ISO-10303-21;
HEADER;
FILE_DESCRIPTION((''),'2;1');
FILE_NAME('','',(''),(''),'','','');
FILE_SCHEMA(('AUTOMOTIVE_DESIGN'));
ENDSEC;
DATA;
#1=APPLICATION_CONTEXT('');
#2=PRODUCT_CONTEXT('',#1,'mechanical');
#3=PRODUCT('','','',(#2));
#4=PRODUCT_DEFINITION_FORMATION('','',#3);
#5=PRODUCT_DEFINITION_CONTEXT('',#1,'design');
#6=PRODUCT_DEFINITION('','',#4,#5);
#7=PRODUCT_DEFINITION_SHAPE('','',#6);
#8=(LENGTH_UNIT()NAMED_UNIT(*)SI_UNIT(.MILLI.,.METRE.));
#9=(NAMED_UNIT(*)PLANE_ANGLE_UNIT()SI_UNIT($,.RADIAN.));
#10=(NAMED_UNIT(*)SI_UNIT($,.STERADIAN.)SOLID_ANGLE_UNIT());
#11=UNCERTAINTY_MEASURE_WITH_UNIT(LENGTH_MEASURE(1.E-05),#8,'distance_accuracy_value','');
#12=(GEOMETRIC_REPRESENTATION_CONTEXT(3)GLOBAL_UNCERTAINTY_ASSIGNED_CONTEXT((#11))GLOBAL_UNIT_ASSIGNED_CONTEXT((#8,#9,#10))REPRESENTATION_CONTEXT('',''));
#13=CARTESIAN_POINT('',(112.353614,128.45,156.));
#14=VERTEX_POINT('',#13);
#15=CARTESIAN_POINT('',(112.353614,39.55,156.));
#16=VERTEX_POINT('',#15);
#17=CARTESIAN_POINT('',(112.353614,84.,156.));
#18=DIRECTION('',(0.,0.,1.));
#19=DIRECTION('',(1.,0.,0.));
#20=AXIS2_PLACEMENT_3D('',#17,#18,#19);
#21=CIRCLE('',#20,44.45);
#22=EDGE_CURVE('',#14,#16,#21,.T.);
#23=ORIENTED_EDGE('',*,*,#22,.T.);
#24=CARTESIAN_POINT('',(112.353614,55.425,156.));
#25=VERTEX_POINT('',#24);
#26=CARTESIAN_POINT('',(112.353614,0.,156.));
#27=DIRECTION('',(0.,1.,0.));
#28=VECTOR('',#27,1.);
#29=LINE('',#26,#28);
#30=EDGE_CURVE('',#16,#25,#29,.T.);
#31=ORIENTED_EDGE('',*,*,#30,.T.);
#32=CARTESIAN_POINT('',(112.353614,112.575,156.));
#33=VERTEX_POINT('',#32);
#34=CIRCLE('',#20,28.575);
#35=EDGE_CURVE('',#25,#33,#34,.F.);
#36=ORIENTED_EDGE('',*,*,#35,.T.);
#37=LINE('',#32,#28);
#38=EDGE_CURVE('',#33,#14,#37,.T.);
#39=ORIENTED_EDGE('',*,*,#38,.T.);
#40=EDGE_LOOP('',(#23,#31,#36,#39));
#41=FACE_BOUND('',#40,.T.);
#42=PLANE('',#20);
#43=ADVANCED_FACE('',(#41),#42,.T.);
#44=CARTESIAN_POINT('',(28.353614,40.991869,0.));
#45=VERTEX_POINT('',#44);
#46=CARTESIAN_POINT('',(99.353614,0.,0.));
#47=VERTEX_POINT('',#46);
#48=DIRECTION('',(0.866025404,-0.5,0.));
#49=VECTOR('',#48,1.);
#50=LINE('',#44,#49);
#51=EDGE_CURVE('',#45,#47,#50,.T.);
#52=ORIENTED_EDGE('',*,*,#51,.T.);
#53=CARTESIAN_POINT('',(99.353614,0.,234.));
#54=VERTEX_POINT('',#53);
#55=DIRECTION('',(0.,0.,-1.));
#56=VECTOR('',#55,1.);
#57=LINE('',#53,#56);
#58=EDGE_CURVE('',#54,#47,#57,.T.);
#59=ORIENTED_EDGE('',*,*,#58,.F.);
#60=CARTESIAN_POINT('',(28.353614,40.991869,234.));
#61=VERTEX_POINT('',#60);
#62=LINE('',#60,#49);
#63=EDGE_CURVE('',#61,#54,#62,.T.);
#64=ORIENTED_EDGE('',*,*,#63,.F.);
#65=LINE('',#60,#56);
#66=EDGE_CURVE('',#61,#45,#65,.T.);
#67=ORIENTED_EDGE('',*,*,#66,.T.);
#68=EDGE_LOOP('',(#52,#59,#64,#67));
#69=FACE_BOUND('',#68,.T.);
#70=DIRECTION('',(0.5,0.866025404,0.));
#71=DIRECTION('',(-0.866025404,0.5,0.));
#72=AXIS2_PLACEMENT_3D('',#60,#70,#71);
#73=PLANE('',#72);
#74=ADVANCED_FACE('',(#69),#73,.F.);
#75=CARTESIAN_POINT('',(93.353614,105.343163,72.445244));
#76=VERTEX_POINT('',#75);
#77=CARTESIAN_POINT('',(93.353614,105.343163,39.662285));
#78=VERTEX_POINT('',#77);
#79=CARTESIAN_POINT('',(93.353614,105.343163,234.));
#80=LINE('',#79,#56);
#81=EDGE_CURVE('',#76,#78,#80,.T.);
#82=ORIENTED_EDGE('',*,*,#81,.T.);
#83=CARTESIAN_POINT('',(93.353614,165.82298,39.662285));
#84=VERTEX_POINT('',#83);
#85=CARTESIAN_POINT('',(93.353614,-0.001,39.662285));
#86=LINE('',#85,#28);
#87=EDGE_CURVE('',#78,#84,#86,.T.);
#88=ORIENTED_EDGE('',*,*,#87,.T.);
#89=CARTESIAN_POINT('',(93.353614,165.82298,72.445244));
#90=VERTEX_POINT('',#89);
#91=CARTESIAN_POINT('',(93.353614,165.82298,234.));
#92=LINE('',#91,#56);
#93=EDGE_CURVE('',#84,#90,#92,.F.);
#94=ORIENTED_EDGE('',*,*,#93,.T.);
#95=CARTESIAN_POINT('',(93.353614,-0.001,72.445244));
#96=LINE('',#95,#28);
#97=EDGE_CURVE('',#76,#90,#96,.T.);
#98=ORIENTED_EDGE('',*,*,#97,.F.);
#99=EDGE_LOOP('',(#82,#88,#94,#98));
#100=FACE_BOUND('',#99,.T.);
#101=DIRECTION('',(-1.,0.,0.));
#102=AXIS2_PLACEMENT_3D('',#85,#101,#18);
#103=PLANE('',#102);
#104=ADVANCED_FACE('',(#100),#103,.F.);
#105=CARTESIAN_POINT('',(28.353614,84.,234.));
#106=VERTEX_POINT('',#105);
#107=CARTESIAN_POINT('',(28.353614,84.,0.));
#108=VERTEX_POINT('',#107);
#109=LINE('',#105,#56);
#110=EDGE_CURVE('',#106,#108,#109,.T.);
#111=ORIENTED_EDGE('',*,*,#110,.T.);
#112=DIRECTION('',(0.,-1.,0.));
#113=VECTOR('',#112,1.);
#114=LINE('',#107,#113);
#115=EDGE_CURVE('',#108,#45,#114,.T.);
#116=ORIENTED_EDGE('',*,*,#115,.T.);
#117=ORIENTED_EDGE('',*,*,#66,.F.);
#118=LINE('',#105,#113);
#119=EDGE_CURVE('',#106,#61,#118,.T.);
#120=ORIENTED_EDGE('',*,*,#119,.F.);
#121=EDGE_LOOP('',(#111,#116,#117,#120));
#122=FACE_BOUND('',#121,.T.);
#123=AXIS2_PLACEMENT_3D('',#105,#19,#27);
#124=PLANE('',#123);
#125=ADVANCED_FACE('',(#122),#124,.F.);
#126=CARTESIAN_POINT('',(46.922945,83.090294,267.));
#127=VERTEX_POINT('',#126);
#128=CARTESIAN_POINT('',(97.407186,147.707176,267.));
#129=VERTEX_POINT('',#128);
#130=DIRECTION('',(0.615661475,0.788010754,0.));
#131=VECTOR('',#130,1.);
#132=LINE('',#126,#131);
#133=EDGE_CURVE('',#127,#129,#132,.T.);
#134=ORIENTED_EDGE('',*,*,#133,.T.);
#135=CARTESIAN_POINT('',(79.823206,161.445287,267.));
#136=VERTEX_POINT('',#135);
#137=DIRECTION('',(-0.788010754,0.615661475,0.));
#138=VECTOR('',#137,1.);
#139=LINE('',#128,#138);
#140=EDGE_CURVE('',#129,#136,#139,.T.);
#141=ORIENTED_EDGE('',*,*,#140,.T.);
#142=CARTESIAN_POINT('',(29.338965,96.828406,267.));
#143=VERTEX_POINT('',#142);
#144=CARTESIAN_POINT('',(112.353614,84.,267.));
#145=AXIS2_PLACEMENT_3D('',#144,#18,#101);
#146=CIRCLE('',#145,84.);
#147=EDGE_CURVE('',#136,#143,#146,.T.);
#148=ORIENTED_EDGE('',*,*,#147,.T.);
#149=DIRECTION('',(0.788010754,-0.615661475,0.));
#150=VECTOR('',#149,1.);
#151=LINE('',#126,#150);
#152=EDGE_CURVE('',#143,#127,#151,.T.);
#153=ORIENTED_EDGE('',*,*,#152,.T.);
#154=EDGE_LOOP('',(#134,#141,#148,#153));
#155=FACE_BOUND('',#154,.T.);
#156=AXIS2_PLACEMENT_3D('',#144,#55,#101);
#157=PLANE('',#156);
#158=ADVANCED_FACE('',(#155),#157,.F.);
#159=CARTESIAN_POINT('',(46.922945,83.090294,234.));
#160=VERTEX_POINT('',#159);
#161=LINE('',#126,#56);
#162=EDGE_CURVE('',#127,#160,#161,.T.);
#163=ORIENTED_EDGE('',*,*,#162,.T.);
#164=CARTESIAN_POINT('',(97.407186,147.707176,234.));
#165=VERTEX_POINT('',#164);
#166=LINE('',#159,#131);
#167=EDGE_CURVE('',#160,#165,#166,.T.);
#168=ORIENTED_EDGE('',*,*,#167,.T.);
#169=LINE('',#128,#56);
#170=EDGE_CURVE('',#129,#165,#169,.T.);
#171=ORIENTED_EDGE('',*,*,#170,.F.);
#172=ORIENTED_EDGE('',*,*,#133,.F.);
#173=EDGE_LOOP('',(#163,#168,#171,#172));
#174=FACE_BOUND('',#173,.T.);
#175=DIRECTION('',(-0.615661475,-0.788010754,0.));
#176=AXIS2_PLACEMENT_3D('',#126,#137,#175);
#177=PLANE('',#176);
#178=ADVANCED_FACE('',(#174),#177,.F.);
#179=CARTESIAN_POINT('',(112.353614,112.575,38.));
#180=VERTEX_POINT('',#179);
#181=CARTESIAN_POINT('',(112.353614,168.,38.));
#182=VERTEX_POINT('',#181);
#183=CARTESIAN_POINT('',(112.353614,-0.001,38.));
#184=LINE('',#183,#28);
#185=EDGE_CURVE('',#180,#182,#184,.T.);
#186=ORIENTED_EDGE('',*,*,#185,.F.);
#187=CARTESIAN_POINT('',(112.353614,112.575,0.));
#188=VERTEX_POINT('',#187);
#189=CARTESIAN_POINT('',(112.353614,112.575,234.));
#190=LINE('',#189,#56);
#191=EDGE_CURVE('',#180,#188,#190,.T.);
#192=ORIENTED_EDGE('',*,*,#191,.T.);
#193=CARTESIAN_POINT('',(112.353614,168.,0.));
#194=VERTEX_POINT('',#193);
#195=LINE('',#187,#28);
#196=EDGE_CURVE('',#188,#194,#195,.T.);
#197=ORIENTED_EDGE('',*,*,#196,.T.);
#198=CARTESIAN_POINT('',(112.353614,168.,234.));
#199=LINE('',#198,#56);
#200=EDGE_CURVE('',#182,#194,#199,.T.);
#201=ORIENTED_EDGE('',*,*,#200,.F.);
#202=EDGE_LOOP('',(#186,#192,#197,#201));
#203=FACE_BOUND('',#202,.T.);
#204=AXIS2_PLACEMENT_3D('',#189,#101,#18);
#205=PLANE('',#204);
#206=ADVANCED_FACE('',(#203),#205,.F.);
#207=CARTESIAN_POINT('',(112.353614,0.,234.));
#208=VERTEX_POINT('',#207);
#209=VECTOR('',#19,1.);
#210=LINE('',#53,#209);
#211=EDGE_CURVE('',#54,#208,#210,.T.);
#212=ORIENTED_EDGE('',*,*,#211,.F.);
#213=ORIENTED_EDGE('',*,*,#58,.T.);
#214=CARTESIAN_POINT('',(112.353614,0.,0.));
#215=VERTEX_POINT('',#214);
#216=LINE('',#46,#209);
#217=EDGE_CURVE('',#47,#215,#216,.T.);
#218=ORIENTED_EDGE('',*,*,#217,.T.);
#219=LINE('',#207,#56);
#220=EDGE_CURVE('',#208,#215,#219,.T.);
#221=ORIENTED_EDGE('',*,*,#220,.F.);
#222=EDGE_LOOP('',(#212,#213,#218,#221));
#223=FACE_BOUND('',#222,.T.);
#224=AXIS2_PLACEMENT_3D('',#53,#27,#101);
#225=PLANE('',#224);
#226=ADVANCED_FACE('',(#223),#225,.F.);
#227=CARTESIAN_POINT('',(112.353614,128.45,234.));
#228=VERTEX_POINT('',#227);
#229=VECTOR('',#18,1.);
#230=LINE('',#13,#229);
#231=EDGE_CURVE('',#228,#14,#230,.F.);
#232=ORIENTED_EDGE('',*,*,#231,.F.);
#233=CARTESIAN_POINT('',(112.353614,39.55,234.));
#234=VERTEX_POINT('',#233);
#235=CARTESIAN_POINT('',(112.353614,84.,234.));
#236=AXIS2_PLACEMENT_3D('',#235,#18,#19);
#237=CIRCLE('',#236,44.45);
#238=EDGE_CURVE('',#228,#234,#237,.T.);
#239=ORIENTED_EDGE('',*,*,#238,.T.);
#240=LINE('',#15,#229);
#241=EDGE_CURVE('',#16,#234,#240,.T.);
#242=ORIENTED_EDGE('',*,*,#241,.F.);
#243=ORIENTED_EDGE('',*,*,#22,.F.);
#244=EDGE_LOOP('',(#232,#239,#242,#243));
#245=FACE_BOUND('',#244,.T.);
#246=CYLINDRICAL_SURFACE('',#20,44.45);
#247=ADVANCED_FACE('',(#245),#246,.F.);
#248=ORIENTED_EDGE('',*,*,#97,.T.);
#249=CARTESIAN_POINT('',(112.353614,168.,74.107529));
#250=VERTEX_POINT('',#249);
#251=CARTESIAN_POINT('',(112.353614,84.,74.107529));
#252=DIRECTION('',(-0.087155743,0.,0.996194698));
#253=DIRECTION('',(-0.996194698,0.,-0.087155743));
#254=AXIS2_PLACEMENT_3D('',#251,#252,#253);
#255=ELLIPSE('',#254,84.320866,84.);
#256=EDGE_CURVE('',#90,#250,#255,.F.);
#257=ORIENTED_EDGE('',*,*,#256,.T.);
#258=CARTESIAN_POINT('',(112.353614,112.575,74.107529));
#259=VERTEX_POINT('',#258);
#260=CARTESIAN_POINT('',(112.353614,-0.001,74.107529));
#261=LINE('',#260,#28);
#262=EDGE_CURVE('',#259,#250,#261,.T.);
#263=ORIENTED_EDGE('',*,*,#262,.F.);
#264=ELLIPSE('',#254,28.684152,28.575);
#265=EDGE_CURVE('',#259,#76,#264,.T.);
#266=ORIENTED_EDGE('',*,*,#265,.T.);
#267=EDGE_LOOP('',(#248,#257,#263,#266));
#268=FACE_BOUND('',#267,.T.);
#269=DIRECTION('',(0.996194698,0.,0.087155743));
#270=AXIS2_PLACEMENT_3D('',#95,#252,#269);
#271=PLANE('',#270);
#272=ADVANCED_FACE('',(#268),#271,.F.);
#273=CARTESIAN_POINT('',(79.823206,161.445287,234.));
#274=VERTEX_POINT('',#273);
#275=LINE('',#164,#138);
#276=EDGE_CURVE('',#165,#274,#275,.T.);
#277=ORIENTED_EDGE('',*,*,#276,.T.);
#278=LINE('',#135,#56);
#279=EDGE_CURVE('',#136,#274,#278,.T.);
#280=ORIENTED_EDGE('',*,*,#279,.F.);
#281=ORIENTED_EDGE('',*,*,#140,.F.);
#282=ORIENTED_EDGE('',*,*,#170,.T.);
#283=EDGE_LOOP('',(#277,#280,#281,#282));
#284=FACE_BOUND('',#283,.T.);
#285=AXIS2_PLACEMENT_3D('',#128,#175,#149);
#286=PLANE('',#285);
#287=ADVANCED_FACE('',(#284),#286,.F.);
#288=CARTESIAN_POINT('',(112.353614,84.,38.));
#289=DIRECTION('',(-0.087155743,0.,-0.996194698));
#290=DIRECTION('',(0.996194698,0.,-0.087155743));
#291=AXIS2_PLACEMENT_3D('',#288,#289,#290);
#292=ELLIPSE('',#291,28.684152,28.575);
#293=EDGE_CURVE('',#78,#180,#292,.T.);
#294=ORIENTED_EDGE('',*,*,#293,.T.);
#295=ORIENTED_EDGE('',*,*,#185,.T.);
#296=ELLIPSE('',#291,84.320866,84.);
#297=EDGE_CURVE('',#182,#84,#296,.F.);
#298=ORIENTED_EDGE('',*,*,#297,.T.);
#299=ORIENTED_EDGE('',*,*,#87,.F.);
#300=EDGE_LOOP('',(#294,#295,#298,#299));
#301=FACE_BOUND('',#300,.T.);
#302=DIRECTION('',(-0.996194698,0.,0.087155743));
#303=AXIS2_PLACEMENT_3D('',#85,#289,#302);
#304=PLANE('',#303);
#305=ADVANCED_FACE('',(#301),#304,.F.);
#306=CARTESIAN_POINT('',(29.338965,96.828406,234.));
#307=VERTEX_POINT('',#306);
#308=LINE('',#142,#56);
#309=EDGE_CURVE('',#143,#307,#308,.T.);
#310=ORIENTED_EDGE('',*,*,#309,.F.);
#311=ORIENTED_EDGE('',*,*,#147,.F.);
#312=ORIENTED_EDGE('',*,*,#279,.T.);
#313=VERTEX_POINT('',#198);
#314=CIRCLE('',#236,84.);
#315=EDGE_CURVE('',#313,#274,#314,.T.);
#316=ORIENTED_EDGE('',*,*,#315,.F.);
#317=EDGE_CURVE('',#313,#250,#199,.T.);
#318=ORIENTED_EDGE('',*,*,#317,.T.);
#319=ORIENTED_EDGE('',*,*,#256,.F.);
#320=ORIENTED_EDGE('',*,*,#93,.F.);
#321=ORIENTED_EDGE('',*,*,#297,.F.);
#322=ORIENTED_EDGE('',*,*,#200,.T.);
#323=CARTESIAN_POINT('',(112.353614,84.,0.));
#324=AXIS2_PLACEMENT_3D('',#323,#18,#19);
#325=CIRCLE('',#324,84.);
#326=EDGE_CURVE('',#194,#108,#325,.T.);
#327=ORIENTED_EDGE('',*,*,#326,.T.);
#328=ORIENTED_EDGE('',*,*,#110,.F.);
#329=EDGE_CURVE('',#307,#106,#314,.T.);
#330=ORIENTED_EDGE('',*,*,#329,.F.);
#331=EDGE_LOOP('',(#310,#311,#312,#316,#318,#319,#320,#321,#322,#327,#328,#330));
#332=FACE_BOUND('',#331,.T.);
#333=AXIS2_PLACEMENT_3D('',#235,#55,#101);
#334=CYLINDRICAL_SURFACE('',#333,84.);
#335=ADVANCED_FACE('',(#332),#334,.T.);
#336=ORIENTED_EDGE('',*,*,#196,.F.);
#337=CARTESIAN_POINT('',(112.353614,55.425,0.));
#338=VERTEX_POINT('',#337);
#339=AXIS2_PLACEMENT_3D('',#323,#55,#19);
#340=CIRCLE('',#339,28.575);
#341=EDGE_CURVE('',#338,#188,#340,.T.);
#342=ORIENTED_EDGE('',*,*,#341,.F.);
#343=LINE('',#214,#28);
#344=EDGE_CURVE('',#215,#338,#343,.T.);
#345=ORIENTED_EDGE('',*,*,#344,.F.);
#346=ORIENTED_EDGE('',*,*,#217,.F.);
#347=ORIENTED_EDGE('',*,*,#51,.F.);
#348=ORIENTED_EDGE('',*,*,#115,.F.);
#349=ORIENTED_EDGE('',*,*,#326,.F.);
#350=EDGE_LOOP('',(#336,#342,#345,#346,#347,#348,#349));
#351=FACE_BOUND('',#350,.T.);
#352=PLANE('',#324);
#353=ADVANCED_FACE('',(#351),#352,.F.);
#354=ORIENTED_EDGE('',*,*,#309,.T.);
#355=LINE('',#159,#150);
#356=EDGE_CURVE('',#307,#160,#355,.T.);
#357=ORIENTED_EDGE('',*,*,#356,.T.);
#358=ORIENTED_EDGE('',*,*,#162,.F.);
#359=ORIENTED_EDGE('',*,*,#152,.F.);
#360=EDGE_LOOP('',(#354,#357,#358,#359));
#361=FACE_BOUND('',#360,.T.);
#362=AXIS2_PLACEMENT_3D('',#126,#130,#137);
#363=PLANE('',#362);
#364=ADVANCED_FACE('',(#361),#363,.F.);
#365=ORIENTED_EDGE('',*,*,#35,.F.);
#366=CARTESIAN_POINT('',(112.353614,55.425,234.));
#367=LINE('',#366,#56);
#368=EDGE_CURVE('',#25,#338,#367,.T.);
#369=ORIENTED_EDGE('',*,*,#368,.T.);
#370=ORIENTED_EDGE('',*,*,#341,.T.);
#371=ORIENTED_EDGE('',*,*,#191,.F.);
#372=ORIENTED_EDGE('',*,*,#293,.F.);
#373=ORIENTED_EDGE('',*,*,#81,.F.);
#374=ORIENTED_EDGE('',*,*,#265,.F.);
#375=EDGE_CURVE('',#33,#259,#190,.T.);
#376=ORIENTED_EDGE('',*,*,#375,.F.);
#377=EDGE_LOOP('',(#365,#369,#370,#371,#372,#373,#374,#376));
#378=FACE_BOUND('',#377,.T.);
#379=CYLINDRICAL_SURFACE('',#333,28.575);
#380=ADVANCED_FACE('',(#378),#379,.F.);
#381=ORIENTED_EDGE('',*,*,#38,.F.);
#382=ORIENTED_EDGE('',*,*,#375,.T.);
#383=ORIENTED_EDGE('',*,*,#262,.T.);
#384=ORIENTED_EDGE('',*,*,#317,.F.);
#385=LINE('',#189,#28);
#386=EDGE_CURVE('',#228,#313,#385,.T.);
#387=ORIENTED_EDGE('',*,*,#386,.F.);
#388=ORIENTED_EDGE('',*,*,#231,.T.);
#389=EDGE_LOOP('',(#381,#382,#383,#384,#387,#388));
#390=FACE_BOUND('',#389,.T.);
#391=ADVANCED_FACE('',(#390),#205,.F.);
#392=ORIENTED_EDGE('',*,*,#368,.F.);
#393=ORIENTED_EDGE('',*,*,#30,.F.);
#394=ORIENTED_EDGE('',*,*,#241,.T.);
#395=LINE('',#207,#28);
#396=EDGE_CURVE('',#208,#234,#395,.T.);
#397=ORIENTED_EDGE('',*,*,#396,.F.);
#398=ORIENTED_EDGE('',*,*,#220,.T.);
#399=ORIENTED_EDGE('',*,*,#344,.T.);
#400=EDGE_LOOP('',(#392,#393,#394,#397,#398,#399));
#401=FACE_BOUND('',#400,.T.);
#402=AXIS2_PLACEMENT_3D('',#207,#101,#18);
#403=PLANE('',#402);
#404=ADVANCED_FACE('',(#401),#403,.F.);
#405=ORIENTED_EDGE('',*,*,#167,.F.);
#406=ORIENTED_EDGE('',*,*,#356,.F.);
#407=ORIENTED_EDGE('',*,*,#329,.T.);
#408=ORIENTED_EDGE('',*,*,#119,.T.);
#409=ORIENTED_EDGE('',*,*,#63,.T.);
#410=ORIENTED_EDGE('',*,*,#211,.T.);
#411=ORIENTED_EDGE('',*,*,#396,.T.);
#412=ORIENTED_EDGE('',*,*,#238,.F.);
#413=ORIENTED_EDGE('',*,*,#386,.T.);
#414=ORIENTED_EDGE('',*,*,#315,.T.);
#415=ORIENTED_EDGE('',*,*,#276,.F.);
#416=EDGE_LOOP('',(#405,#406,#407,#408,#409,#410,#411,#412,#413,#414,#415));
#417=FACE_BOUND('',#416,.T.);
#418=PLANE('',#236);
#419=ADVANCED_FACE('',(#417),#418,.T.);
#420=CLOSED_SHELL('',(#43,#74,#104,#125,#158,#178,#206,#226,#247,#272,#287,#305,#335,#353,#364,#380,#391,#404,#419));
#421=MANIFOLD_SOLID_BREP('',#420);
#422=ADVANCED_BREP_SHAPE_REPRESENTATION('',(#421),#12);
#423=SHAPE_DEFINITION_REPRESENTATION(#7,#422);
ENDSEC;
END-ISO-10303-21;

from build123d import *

# Parameters (mm, degrees)
BOSS_EXTRUDE2_DEPTH     = 234
SKETCH3_R               = 44.45
CUT_EXTRUDE1_DEPTH      = 78
BOSS_EXTRUDE3_DEPTH     = 33
CUT_EXTRUDE3_REACH      = 336.868
CUT_EXTRUDE3_END_RADIUS = 28.575


with BuildPart() as part:
    # Sketch1 → Boss-Extrude2 (new body)
    with BuildSketch(Plane.XY):
        with BuildLine():
            Line((28.35361426, 84), (28.35361426, 40.991869112))
            Line((28.35361426, 40.991869112), (99.35361426, 0))
            Line((99.35361426, 0), (112.35361426, 0))
            Line((112.35361426, 0), (112.35361426, 55.425))
            ThreePointArc((112.35361426, 55.425), (83.77861426, 84), (112.35361426, 112.575))
            Line((112.35361426, 112.575), (112.35361426, 168))
            ThreePointArc((112.35361426, 168), (52.95664464, 143.39696962), (28.35361426, 84))
        make_face()
    extrude(amount=BOSS_EXTRUDE2_DEPTH)

    # Sketch3 → Cut-Extrude1 (cut)
    with BuildSketch(Plane.XY.offset(234)):
        with Locations((112.35361426, 84)):
            Circle(SKETCH3_R)
    extrude(amount=-CUT_EXTRUDE1_DEPTH, mode=Mode.SUBTRACT)

    # Sketch4 → Boss-Extrude3 (add)
    with BuildSketch(Plane.XY.offset(234)):
        with BuildLine():
            Line((46.922945338, 83.090294344), (97.407186315, 147.707176139))
            Line((97.407186315, 147.707176139), (79.823205858, 161.445287327))
            ThreePointArc((79.823205858, 161.445287327), (46.160710957, 135.715563927), (29.338964881, 96.828405531))
            Line((29.338964881, 96.828405531), (46.922945338, 83.090294344))
        make_face()
    extrude(amount=BOSS_EXTRUDE3_DEPTH)

    # Cut-Extrude3: up to this cylinder (the profile starts outside it)
    cut_extrude3_end = Plane(origin=(112.35361426, 84, 56.053764), z_dir=(0, 0, -1)) * Cylinder(CUT_EXTRUDE3_END_RADIUS, 731.886, mode=Mode.PRIVATE)
    # Sketch5 → Cut-Extrude3 (cut, up to the surface)
    with BuildSketch(Plane(origin=(0, 168, 0), x_dir=(1, 0, 0), z_dir=(0, 1, 0)), mode=Mode.PRIVATE) as cut_extrude3_sk1:
        Polygon((112.35361426, -38), (112.35361426, -74.107528994), (93.35361426, -72.445244387), (93.35361426, -39.662284607), align=None)
    cut_extrude3_tool1 = extrude(cut_extrude3_sk1.sketch, amount=-CUT_EXTRUDE3_REACH, mode=Mode.PRIVATE) - cut_extrude3_end
    add(cut_extrude3_tool1.solids().sort_by_distance((103.006434, 168, 56.053764))[0], mode=Mode.SUBTRACT)


solid = part.part
